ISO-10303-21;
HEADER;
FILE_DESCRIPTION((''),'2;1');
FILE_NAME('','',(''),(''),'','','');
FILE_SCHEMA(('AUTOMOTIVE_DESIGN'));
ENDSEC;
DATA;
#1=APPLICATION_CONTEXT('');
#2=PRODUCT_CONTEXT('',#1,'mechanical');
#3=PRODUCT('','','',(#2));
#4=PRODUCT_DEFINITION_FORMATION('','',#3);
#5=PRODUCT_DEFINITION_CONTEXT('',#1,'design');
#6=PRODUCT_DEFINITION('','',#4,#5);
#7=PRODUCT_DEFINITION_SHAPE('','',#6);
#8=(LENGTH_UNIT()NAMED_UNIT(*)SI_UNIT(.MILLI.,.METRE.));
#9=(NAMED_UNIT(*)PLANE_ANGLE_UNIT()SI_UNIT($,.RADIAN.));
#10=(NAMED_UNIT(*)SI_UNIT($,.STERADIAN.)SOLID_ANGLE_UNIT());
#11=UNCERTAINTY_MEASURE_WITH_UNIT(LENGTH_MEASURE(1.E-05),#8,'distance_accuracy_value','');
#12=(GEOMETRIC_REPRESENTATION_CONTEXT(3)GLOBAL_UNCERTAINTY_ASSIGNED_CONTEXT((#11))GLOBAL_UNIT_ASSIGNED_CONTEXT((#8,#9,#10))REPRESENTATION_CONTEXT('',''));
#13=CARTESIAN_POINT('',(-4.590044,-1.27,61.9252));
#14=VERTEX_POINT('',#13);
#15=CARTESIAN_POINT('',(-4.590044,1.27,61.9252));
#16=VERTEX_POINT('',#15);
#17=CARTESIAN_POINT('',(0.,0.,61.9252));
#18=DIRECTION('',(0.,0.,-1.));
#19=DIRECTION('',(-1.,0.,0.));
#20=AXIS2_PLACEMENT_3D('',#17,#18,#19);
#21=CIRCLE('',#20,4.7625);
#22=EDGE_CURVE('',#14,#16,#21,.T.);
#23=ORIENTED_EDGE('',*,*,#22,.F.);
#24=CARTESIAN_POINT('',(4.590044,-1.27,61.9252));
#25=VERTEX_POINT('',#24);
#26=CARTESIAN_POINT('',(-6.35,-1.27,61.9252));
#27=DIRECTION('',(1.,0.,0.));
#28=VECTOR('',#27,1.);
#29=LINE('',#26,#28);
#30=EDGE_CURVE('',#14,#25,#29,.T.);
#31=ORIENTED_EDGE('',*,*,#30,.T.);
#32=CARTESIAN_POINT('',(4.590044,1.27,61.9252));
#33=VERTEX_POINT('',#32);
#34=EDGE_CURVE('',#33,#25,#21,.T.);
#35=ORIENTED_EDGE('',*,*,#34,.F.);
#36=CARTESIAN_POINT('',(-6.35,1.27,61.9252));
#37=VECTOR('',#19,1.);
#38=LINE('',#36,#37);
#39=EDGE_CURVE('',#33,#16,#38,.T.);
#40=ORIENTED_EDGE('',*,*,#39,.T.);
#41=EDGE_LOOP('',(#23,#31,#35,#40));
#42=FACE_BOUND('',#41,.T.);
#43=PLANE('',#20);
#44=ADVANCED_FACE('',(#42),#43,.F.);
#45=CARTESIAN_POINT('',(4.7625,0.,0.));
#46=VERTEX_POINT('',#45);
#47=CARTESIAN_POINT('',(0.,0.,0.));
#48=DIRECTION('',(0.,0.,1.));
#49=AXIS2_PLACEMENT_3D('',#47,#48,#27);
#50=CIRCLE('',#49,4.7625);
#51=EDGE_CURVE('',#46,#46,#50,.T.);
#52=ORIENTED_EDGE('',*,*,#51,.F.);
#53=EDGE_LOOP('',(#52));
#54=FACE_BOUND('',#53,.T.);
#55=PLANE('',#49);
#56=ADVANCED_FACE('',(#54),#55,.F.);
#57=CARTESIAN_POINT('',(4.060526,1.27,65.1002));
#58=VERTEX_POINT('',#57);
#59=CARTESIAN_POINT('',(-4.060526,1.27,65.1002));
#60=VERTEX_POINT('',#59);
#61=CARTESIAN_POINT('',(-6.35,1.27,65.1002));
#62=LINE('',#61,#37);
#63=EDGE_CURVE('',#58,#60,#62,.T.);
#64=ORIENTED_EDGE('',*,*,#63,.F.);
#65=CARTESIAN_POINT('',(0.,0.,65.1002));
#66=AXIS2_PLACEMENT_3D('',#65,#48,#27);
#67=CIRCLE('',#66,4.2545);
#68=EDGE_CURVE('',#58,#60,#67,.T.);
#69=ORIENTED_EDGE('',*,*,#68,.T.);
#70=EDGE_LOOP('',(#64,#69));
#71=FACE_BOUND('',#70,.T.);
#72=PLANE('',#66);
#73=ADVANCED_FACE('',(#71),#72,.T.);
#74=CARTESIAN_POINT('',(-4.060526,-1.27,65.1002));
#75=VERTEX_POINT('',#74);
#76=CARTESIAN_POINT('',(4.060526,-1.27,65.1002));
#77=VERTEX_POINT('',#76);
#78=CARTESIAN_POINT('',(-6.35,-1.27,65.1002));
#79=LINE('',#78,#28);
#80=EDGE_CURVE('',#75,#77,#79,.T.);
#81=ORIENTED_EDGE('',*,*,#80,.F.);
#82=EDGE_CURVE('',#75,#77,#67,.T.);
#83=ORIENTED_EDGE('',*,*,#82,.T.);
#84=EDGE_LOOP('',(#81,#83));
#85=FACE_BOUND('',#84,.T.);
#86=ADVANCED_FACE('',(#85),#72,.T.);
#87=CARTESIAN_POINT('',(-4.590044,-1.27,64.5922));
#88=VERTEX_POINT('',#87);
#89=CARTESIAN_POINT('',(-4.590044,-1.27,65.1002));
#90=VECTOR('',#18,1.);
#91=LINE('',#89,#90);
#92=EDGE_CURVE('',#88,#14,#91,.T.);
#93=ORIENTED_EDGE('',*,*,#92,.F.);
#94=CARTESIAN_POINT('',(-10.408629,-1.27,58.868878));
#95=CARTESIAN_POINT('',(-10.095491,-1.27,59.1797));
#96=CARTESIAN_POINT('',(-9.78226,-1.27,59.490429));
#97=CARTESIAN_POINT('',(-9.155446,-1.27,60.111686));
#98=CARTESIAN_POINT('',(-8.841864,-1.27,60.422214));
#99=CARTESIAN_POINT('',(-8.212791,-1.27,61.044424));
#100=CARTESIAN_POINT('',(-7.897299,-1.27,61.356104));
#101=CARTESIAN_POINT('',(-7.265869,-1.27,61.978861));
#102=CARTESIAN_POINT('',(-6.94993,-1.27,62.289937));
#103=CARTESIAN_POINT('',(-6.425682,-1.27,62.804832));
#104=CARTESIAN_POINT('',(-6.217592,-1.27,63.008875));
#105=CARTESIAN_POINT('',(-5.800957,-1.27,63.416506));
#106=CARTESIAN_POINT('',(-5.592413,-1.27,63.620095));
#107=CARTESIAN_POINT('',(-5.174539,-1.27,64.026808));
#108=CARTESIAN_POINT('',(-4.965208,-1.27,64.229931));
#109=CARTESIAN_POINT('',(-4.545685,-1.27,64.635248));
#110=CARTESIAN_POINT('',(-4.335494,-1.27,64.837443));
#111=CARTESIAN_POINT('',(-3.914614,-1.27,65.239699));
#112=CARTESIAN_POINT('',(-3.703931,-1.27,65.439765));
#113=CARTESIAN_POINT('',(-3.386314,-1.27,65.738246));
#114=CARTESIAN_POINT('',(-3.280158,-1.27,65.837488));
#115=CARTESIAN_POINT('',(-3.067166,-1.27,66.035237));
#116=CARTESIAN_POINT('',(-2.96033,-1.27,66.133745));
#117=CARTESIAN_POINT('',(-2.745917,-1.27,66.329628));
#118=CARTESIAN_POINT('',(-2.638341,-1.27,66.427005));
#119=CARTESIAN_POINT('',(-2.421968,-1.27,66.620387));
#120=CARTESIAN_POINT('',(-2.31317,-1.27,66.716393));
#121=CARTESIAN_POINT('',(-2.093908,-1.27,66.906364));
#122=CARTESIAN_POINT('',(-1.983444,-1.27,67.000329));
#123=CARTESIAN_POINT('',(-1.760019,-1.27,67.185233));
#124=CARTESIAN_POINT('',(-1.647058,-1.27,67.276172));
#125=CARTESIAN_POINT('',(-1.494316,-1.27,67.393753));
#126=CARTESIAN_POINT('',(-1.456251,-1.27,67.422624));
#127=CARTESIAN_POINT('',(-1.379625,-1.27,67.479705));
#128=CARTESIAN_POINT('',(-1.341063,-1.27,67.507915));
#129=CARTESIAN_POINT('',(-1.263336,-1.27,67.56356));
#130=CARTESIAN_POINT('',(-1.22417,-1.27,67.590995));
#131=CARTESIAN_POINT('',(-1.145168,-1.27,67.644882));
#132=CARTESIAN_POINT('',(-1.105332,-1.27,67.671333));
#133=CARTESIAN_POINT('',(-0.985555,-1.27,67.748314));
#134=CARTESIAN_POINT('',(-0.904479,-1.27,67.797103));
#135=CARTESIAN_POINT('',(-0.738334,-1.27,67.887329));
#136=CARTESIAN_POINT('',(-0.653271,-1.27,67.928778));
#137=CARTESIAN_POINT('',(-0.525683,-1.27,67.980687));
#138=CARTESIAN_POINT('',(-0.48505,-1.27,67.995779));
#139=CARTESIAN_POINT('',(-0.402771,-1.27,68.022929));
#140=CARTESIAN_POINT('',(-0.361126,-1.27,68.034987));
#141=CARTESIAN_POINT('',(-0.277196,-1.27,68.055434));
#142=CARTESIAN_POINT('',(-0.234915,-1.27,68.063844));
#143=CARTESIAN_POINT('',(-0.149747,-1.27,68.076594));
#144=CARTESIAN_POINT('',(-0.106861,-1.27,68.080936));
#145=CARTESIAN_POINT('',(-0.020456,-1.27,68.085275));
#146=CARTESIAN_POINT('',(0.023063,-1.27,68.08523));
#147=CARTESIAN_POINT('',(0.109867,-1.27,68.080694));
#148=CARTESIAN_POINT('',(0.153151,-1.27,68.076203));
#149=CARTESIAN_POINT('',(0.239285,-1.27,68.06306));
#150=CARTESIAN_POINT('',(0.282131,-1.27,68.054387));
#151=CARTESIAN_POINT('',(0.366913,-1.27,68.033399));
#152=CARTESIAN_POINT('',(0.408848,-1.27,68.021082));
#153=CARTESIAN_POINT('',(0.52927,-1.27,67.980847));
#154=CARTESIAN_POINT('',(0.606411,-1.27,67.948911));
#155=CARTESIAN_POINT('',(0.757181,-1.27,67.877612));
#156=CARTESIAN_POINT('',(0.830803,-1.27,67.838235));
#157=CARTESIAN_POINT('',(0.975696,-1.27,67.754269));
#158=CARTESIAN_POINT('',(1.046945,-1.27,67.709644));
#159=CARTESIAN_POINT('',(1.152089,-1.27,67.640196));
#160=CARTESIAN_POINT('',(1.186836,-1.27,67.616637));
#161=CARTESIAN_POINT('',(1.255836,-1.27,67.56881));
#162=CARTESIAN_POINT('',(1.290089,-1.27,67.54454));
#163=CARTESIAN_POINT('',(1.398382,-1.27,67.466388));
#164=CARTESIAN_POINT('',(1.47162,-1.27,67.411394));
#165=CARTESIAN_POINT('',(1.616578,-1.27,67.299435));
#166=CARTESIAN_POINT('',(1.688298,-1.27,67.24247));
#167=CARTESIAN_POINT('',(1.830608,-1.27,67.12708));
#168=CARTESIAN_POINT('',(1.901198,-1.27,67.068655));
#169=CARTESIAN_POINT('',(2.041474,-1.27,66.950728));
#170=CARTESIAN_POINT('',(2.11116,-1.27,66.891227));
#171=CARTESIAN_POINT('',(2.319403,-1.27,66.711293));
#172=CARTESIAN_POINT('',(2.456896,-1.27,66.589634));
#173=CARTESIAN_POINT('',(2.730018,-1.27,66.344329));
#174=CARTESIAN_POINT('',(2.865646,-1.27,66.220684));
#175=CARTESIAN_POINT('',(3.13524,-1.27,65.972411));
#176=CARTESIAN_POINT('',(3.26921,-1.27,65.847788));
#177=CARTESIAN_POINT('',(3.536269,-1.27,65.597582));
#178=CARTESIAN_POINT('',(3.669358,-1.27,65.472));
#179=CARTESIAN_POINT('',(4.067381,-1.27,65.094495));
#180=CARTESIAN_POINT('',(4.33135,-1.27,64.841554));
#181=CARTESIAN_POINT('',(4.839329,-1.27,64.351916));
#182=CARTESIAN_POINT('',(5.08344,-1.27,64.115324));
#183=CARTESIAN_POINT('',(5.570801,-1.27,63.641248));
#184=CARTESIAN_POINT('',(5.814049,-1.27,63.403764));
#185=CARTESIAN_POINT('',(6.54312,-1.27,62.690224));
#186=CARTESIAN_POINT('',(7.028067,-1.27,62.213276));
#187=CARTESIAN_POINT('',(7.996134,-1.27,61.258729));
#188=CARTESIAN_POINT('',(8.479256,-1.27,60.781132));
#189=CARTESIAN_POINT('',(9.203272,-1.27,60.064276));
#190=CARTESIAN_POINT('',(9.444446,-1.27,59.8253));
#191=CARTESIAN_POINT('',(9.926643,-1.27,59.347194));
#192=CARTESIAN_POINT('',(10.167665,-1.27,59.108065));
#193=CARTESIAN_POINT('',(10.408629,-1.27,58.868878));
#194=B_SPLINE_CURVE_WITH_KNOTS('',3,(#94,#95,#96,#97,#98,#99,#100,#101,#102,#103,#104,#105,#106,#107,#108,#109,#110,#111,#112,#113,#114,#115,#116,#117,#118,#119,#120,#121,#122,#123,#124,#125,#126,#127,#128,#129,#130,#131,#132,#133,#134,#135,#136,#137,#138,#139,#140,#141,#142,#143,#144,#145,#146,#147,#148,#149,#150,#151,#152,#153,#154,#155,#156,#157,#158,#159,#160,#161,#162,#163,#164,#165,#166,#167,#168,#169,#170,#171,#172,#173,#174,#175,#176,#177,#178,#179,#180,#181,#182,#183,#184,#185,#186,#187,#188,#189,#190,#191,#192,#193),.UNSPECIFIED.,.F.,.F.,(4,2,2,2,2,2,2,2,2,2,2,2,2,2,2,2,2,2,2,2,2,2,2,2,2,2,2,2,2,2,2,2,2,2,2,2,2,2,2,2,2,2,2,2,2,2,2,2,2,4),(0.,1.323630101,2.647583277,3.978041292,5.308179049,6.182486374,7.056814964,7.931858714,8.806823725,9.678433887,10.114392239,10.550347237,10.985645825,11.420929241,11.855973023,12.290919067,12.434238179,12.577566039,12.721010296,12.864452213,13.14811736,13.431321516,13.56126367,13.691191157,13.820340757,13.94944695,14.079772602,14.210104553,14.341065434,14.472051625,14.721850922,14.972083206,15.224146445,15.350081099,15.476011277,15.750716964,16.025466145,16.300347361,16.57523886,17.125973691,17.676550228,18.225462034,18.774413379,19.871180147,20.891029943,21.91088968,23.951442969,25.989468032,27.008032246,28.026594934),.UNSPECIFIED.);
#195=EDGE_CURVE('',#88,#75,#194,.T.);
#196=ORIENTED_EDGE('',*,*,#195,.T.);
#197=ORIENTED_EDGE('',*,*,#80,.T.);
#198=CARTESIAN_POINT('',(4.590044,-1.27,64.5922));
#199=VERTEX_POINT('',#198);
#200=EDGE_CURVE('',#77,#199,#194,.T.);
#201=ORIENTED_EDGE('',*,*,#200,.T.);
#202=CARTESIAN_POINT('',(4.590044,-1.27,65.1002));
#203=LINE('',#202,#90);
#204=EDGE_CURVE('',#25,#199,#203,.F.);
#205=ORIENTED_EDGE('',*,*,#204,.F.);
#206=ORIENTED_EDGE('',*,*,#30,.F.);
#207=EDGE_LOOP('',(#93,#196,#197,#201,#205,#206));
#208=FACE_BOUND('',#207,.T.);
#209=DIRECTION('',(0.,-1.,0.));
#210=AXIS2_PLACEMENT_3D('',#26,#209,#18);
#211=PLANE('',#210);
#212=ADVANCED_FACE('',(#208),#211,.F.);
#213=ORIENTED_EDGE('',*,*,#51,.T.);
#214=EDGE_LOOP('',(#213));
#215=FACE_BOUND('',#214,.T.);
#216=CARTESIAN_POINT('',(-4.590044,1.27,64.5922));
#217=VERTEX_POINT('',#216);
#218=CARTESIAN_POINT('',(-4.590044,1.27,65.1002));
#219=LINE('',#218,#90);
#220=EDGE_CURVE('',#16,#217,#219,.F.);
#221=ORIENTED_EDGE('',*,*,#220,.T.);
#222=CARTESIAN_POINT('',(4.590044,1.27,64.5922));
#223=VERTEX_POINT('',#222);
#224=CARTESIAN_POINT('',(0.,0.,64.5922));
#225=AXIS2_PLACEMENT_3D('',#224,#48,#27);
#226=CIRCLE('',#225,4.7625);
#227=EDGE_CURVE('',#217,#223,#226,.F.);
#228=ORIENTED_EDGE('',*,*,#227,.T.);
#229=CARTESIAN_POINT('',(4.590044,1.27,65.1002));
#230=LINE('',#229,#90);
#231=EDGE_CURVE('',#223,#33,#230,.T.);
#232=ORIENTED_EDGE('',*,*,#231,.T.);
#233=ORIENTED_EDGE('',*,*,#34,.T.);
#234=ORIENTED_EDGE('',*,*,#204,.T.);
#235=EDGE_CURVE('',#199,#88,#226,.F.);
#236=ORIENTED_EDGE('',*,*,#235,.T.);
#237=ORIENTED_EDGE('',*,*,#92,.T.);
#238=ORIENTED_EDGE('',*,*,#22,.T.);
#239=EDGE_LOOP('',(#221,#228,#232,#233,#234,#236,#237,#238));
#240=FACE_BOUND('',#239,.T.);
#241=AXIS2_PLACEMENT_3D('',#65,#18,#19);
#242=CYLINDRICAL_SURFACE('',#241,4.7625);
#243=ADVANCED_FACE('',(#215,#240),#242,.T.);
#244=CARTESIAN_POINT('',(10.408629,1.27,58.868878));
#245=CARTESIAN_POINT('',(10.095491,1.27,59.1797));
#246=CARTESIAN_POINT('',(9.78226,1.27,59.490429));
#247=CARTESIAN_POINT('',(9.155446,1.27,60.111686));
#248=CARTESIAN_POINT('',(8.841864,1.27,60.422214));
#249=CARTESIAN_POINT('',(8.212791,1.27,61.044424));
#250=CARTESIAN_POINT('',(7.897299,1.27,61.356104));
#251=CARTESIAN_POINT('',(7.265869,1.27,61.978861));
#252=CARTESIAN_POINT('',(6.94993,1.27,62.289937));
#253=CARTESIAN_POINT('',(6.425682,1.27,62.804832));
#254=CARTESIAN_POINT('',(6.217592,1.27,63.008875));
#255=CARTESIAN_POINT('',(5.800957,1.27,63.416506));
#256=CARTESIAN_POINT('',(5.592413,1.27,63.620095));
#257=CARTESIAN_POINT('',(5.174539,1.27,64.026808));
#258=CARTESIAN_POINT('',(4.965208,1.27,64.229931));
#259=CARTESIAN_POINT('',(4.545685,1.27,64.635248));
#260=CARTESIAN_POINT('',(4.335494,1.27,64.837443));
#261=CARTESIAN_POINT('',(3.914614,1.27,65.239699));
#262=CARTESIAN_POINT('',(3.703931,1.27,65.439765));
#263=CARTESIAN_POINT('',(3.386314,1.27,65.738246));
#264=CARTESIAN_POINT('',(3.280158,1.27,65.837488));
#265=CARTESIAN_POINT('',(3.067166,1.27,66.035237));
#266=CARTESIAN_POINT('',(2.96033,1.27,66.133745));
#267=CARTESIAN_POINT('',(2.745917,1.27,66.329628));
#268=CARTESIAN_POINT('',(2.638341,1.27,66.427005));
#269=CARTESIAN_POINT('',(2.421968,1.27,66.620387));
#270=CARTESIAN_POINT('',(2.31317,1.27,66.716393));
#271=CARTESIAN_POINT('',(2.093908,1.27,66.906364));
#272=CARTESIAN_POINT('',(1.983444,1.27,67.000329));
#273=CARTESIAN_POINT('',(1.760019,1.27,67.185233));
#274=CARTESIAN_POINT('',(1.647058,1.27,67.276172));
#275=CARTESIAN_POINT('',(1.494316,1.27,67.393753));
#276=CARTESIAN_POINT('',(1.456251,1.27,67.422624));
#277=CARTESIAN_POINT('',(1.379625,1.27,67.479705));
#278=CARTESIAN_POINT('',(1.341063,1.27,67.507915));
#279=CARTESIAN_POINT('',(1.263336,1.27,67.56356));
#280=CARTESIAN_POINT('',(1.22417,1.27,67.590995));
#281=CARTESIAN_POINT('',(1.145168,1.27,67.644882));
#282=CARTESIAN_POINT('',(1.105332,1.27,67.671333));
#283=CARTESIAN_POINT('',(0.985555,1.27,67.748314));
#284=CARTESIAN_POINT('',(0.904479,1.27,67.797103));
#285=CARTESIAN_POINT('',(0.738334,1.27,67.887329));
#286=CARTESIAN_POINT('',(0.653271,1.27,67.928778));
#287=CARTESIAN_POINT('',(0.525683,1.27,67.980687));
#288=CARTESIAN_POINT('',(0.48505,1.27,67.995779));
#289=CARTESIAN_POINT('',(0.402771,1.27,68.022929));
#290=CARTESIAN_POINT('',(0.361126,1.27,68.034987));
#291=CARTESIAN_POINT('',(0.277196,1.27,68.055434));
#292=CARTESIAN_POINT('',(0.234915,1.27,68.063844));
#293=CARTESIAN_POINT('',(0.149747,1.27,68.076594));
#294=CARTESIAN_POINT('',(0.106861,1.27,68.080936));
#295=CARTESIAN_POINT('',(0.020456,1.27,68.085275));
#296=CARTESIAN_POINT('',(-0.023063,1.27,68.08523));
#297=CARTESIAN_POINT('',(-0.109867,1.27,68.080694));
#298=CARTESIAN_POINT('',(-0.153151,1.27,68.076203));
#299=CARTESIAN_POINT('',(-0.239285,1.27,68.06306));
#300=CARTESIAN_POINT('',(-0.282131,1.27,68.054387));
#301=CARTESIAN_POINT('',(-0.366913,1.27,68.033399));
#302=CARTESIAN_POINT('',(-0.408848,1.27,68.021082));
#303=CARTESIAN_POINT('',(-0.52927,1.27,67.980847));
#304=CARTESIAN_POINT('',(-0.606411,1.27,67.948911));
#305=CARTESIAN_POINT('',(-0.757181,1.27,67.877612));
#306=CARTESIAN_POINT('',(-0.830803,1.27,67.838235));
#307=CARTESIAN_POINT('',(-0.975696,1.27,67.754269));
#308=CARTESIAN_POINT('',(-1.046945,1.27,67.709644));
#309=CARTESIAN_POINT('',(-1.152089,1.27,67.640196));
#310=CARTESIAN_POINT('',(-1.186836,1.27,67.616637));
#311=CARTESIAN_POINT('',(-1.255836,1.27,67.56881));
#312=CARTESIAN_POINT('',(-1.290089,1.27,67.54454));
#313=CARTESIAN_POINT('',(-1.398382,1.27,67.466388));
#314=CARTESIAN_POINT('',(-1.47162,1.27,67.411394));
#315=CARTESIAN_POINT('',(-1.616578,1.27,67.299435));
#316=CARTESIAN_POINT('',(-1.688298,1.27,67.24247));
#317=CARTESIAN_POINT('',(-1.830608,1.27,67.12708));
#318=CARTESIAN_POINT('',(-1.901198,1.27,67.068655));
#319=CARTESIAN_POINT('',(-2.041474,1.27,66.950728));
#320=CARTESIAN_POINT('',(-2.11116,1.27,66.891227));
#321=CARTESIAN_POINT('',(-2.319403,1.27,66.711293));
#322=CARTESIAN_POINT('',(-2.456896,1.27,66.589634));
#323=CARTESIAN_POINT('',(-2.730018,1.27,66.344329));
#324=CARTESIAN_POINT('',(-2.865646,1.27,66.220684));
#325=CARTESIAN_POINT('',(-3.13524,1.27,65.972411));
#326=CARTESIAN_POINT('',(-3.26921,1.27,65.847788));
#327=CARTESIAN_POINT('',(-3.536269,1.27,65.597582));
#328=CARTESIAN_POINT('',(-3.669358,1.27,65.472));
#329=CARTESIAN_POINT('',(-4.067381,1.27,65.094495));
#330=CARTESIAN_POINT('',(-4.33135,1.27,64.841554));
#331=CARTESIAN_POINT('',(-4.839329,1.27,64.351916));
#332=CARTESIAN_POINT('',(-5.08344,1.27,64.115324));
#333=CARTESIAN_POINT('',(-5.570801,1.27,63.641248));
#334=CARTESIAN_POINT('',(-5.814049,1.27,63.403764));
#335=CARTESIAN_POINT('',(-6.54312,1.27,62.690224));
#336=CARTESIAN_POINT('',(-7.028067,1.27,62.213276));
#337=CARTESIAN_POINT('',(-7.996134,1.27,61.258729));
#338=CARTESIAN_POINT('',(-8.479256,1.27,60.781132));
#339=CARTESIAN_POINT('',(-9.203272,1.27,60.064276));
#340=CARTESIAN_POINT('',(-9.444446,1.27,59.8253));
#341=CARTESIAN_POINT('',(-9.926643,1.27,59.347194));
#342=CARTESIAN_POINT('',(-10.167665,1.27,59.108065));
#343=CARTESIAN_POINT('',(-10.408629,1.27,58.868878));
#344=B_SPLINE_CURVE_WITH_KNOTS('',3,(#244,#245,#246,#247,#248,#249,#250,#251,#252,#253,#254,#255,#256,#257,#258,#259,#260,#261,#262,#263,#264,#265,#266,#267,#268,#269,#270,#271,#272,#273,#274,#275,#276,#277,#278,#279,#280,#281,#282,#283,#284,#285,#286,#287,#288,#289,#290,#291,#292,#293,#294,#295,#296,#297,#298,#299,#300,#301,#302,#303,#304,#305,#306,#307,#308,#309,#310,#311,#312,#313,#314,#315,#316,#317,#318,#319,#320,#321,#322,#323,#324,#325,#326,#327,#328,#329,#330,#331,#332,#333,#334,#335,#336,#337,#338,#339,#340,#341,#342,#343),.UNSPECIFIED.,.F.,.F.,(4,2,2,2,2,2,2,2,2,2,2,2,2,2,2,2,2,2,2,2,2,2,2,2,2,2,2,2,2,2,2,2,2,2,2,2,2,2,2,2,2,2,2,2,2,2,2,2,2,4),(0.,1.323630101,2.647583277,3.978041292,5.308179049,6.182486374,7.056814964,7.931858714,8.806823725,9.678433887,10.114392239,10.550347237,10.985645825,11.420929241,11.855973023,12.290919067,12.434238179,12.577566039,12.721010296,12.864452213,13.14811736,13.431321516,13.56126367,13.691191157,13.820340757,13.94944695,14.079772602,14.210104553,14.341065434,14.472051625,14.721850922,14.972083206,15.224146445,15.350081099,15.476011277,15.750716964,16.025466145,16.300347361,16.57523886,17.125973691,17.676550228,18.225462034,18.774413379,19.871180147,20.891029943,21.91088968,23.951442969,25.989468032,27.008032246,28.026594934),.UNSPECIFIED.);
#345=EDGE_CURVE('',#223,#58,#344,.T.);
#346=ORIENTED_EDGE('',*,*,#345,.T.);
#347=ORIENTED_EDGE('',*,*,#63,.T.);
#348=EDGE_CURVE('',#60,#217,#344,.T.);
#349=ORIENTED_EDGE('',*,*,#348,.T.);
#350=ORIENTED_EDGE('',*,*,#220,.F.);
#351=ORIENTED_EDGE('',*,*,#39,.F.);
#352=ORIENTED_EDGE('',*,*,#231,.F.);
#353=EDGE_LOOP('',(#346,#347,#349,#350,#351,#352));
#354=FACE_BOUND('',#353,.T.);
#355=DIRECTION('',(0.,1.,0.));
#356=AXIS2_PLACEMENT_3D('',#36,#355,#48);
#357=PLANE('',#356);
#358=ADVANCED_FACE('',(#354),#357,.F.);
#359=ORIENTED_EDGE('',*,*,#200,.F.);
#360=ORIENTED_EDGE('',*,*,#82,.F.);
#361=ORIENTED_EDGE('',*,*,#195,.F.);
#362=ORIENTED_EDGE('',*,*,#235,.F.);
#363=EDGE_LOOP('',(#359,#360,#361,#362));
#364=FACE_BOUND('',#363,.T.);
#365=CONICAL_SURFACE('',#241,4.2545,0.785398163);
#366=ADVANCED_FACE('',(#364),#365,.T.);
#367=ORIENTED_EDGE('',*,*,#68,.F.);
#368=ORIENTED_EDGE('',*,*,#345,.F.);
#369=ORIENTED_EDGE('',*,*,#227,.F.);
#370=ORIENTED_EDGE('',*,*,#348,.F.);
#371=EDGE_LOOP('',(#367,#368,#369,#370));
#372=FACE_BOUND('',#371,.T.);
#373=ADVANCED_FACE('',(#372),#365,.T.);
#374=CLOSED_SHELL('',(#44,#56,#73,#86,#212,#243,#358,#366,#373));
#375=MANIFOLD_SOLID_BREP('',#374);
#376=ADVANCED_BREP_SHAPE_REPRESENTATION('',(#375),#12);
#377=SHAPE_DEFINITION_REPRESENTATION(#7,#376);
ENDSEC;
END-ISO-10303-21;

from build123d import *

# Parameters (mm, degrees)
SKETCH1_R           = 4.7625
BOSS_EXTRUDE1_DEPTH = 65.1002
CHAMFER1_SIZE       = 0.508
SKETCH2_W           = 12.7
SKETCH2_H           = 2.54
CUT_EXTRUDE1_DEPTH  = 3.175


with BuildPart() as part:
    # Sketch1 → Boss-Extrude1 (new body)
    with BuildSketch(Plane.XY):
        Circle(SKETCH1_R)
    extrude(amount=BOSS_EXTRUDE1_DEPTH)

    # Chamfer1
    chamfer1_edges = [part.edges().sort_by_distance(p)[0] for p in [
        (-4.7625, 0, 65.1002),
    ]]
    chamfer(chamfer1_edges, length=CHAMFER1_SIZE)

    # Sketch2 → Cut-Extrude1 (cut)
    with BuildSketch(Plane.XY.offset(65.1002)):
        Rectangle(SKETCH2_W, SKETCH2_H)
    extrude(amount=-CUT_EXTRUDE1_DEPTH, mode=Mode.SUBTRACT)


solid = part.part
